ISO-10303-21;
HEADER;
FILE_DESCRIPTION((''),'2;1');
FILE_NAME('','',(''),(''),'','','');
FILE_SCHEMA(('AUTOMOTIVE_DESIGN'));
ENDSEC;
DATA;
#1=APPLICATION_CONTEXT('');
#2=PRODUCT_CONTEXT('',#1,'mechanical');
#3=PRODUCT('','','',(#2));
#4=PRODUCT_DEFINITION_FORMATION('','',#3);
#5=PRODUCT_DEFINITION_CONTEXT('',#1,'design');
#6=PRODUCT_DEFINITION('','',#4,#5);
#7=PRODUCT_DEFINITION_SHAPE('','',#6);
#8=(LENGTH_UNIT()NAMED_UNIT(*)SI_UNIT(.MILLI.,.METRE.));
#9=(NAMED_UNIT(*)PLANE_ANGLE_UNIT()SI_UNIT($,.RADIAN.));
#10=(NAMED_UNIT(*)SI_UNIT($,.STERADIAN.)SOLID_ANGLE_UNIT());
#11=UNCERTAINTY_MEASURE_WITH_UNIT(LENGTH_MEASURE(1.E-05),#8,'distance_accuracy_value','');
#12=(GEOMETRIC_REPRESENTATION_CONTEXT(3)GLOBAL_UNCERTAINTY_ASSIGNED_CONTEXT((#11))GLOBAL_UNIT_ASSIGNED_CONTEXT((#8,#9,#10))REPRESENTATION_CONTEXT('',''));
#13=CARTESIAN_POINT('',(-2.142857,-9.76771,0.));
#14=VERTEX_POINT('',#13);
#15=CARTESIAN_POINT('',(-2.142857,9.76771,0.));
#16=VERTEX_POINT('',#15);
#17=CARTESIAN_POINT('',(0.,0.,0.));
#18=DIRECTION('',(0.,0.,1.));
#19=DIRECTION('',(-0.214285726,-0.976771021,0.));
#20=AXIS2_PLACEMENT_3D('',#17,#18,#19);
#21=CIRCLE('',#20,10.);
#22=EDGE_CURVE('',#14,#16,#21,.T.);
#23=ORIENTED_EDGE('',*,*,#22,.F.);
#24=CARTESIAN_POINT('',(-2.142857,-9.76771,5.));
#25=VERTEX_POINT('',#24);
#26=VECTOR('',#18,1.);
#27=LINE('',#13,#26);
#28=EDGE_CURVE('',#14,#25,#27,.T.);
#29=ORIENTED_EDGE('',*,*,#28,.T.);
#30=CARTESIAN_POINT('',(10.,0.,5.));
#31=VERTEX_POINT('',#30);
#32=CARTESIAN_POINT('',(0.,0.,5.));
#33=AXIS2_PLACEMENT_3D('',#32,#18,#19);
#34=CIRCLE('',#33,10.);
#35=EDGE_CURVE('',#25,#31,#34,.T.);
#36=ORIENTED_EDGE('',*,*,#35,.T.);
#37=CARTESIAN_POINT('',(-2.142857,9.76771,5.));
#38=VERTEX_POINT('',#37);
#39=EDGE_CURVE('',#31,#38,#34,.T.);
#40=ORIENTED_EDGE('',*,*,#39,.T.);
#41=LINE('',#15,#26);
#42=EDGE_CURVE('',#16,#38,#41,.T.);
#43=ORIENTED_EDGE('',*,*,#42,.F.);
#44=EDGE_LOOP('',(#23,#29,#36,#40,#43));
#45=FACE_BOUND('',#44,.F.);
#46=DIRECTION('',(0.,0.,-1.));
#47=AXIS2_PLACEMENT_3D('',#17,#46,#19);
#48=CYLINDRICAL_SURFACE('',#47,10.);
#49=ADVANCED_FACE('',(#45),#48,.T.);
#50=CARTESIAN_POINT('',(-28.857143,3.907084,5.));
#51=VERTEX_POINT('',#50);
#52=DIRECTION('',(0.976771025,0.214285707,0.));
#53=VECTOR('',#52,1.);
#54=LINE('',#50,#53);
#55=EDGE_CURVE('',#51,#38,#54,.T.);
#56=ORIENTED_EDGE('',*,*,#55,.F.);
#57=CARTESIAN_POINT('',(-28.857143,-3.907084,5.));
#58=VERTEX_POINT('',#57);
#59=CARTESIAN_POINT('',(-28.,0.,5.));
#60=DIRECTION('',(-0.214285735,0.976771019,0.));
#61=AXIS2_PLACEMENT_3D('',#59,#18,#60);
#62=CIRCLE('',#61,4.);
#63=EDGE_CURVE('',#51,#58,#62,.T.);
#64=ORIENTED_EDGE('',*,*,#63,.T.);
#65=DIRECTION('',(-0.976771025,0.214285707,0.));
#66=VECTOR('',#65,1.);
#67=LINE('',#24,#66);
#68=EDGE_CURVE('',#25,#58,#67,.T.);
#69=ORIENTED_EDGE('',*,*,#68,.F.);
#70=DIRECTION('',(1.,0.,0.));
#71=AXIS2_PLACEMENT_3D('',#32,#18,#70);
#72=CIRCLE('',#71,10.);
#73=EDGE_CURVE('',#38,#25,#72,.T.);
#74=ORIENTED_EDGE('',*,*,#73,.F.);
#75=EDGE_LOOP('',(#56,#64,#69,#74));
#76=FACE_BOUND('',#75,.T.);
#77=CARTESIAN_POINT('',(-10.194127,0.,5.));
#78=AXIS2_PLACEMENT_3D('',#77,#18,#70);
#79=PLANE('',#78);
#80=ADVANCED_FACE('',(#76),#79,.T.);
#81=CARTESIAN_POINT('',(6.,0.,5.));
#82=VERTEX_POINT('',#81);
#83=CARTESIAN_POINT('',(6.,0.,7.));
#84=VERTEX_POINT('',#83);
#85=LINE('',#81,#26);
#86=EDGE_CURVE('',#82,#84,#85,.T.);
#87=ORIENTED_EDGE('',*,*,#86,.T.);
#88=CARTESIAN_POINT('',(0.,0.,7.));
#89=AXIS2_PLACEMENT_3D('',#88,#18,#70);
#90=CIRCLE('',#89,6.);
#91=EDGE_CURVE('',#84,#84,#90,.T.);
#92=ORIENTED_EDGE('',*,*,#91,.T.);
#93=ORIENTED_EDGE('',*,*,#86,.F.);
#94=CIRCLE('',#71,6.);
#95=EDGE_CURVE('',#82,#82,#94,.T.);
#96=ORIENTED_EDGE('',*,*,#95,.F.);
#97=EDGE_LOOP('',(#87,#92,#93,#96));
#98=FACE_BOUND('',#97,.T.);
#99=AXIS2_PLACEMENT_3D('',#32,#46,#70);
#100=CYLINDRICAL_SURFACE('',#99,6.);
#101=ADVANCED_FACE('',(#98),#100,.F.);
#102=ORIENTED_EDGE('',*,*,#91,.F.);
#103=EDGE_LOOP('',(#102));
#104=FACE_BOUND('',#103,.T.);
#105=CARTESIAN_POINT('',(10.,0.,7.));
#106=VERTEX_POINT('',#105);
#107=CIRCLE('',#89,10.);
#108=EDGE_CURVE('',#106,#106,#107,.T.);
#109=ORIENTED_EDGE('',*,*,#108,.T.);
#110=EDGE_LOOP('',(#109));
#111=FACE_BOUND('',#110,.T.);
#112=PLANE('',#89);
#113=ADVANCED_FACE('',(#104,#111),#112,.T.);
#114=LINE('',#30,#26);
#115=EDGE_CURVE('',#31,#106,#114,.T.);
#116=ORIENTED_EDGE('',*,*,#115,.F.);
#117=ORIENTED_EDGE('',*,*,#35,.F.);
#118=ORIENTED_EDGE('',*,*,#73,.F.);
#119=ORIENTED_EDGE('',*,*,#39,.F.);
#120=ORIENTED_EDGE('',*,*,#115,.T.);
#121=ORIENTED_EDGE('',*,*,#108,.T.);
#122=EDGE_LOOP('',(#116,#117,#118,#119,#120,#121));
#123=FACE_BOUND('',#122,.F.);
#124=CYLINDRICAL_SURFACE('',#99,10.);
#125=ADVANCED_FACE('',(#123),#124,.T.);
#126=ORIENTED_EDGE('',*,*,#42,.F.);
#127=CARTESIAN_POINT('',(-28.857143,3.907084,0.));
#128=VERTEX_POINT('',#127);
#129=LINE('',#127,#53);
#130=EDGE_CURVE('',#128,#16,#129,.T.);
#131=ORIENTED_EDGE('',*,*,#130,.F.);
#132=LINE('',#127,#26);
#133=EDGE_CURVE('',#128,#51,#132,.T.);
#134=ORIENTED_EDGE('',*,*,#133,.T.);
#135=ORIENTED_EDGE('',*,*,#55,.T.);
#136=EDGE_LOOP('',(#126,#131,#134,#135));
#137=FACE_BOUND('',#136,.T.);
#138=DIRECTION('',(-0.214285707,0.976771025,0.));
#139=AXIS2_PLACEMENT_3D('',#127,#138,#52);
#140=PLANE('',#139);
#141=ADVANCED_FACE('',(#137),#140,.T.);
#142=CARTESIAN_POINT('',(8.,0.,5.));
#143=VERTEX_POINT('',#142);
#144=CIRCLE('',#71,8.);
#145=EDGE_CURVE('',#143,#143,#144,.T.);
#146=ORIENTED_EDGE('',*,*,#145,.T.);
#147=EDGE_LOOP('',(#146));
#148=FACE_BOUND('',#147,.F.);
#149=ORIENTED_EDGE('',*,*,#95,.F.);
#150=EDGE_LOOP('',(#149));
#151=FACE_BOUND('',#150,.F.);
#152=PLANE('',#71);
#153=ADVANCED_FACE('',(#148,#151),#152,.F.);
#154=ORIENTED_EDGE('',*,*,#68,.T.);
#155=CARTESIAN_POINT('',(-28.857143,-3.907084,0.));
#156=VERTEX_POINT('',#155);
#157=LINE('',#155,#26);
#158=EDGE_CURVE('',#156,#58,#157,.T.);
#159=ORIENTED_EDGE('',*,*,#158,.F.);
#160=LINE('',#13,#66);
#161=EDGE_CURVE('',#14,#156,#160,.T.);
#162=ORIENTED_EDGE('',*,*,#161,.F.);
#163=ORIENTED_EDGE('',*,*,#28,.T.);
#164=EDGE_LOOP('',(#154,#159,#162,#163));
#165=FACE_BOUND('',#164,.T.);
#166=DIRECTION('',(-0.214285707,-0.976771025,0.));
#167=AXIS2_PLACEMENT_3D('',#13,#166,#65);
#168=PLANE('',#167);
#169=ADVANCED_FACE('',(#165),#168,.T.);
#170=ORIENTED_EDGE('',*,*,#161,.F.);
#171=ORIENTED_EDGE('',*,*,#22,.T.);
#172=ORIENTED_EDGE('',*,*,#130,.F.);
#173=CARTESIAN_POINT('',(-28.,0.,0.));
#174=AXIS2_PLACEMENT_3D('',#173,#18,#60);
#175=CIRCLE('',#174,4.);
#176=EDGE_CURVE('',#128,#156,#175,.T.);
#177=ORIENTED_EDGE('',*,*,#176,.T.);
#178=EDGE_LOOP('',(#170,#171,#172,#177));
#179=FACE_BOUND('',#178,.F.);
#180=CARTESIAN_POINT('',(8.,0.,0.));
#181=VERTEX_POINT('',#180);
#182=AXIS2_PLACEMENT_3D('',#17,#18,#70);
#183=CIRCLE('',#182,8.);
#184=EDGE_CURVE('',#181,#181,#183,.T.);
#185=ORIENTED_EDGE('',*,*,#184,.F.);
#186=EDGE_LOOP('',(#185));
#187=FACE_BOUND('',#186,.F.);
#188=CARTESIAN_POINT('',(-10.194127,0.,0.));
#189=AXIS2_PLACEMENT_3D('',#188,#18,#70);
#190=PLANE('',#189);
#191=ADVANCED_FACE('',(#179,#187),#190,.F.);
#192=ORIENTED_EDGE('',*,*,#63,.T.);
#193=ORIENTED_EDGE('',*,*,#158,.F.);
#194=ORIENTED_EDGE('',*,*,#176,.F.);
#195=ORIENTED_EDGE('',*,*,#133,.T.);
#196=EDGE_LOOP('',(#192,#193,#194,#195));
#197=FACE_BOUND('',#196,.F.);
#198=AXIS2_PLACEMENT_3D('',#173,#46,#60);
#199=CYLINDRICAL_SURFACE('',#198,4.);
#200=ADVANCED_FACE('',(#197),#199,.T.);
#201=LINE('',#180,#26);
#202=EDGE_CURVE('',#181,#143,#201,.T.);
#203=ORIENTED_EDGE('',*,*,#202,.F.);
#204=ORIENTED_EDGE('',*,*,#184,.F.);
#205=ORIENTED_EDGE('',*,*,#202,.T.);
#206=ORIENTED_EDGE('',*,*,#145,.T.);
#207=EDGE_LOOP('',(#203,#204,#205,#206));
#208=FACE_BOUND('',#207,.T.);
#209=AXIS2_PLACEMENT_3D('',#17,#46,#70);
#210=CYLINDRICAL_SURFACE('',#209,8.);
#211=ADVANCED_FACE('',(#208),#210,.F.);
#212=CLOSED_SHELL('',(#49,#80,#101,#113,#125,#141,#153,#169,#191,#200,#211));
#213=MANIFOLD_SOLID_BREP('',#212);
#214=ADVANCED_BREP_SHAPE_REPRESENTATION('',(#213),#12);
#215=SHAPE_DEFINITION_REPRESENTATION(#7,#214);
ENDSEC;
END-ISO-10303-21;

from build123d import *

# Parameters (mm, degrees)
SKETCH_R      = 8
PAD_DEPTH     = 5
SKETCH001_R   = 10
SKETCH001_R_2 = 6
PAD001_DEPTH  = 2


with BuildPart() as part:
    # Sketch → Pad (new body)
    with BuildSketch(Plane.XY):
        with BuildLine():
            ThreePointArc((-2.142857, -9.76771), (10, 0), (-2.142857, 9.76771))
            Line((-28.857143, 3.907084), (-2.142857, 9.76771))
            ThreePointArc((-28.857143, 3.907084), (-32, 0), (-28.857143, -3.907084))
            Line((-2.142857, -9.76771), (-28.857143, -3.907084))
        make_face()
        Circle(SKETCH_R, mode=Mode.SUBTRACT)
    extrude(amount=PAD_DEPTH)

    # Sketch001 (on Face7 of Pad) → Pad001 (join)
    with BuildSketch(Plane.XY.offset(5)):
        Circle(SKETCH001_R)
        Circle(SKETCH001_R_2, mode=Mode.SUBTRACT)
    extrude(amount=PAD001_DEPTH)


solid = part.part
